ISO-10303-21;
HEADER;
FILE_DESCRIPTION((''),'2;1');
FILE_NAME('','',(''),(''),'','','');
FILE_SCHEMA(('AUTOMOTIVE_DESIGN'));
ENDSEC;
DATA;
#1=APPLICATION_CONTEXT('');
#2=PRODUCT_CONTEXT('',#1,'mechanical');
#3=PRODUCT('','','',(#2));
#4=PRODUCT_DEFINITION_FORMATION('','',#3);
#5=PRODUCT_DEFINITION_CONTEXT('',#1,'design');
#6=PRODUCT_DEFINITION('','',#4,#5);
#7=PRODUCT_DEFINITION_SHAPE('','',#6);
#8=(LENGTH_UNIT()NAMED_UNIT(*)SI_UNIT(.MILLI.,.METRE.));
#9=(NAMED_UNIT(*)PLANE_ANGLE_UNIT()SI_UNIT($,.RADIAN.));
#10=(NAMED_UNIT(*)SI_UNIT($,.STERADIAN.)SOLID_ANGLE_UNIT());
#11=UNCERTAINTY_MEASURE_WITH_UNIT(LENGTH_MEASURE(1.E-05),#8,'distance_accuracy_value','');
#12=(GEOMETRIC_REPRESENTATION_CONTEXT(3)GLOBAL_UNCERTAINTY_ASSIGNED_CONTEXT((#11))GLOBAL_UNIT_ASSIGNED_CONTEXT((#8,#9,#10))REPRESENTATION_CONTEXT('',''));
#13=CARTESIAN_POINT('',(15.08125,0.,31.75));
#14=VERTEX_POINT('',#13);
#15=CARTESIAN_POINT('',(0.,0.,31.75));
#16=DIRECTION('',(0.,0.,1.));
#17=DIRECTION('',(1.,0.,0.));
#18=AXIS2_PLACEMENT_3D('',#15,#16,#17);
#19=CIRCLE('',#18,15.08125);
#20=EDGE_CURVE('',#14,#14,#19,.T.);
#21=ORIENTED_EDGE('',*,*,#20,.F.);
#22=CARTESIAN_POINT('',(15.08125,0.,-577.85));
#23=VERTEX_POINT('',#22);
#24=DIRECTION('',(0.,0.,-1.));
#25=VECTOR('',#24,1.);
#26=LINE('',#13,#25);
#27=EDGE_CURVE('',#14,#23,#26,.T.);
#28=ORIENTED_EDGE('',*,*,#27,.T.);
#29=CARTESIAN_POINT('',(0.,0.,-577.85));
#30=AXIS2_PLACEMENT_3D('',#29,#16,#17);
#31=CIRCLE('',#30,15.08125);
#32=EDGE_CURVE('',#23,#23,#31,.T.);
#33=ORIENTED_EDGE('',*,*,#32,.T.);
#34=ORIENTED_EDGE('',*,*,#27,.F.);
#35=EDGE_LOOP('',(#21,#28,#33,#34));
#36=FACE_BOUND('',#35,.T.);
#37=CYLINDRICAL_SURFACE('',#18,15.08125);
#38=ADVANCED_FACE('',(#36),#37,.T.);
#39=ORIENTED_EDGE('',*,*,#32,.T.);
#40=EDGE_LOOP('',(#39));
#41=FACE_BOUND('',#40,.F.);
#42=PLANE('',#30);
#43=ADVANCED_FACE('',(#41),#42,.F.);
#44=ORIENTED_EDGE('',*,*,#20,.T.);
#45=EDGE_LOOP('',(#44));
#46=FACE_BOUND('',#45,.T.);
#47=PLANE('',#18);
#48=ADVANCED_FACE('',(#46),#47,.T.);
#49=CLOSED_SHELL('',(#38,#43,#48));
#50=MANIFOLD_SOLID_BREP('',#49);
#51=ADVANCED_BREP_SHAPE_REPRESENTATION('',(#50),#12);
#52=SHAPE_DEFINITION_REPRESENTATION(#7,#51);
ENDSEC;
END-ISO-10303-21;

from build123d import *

# Parameters (mm, degrees)
F1_R     = 15.08125
F2_DEPTH = 609.6


with BuildPart() as f2:
    # F1 (on offset) → F2 (new body)
    with BuildSketch(Plane.XY.offset(31.75)):
        Circle(F1_R)
    extrude(amount=-F2_DEPTH)


solid = f2.part
